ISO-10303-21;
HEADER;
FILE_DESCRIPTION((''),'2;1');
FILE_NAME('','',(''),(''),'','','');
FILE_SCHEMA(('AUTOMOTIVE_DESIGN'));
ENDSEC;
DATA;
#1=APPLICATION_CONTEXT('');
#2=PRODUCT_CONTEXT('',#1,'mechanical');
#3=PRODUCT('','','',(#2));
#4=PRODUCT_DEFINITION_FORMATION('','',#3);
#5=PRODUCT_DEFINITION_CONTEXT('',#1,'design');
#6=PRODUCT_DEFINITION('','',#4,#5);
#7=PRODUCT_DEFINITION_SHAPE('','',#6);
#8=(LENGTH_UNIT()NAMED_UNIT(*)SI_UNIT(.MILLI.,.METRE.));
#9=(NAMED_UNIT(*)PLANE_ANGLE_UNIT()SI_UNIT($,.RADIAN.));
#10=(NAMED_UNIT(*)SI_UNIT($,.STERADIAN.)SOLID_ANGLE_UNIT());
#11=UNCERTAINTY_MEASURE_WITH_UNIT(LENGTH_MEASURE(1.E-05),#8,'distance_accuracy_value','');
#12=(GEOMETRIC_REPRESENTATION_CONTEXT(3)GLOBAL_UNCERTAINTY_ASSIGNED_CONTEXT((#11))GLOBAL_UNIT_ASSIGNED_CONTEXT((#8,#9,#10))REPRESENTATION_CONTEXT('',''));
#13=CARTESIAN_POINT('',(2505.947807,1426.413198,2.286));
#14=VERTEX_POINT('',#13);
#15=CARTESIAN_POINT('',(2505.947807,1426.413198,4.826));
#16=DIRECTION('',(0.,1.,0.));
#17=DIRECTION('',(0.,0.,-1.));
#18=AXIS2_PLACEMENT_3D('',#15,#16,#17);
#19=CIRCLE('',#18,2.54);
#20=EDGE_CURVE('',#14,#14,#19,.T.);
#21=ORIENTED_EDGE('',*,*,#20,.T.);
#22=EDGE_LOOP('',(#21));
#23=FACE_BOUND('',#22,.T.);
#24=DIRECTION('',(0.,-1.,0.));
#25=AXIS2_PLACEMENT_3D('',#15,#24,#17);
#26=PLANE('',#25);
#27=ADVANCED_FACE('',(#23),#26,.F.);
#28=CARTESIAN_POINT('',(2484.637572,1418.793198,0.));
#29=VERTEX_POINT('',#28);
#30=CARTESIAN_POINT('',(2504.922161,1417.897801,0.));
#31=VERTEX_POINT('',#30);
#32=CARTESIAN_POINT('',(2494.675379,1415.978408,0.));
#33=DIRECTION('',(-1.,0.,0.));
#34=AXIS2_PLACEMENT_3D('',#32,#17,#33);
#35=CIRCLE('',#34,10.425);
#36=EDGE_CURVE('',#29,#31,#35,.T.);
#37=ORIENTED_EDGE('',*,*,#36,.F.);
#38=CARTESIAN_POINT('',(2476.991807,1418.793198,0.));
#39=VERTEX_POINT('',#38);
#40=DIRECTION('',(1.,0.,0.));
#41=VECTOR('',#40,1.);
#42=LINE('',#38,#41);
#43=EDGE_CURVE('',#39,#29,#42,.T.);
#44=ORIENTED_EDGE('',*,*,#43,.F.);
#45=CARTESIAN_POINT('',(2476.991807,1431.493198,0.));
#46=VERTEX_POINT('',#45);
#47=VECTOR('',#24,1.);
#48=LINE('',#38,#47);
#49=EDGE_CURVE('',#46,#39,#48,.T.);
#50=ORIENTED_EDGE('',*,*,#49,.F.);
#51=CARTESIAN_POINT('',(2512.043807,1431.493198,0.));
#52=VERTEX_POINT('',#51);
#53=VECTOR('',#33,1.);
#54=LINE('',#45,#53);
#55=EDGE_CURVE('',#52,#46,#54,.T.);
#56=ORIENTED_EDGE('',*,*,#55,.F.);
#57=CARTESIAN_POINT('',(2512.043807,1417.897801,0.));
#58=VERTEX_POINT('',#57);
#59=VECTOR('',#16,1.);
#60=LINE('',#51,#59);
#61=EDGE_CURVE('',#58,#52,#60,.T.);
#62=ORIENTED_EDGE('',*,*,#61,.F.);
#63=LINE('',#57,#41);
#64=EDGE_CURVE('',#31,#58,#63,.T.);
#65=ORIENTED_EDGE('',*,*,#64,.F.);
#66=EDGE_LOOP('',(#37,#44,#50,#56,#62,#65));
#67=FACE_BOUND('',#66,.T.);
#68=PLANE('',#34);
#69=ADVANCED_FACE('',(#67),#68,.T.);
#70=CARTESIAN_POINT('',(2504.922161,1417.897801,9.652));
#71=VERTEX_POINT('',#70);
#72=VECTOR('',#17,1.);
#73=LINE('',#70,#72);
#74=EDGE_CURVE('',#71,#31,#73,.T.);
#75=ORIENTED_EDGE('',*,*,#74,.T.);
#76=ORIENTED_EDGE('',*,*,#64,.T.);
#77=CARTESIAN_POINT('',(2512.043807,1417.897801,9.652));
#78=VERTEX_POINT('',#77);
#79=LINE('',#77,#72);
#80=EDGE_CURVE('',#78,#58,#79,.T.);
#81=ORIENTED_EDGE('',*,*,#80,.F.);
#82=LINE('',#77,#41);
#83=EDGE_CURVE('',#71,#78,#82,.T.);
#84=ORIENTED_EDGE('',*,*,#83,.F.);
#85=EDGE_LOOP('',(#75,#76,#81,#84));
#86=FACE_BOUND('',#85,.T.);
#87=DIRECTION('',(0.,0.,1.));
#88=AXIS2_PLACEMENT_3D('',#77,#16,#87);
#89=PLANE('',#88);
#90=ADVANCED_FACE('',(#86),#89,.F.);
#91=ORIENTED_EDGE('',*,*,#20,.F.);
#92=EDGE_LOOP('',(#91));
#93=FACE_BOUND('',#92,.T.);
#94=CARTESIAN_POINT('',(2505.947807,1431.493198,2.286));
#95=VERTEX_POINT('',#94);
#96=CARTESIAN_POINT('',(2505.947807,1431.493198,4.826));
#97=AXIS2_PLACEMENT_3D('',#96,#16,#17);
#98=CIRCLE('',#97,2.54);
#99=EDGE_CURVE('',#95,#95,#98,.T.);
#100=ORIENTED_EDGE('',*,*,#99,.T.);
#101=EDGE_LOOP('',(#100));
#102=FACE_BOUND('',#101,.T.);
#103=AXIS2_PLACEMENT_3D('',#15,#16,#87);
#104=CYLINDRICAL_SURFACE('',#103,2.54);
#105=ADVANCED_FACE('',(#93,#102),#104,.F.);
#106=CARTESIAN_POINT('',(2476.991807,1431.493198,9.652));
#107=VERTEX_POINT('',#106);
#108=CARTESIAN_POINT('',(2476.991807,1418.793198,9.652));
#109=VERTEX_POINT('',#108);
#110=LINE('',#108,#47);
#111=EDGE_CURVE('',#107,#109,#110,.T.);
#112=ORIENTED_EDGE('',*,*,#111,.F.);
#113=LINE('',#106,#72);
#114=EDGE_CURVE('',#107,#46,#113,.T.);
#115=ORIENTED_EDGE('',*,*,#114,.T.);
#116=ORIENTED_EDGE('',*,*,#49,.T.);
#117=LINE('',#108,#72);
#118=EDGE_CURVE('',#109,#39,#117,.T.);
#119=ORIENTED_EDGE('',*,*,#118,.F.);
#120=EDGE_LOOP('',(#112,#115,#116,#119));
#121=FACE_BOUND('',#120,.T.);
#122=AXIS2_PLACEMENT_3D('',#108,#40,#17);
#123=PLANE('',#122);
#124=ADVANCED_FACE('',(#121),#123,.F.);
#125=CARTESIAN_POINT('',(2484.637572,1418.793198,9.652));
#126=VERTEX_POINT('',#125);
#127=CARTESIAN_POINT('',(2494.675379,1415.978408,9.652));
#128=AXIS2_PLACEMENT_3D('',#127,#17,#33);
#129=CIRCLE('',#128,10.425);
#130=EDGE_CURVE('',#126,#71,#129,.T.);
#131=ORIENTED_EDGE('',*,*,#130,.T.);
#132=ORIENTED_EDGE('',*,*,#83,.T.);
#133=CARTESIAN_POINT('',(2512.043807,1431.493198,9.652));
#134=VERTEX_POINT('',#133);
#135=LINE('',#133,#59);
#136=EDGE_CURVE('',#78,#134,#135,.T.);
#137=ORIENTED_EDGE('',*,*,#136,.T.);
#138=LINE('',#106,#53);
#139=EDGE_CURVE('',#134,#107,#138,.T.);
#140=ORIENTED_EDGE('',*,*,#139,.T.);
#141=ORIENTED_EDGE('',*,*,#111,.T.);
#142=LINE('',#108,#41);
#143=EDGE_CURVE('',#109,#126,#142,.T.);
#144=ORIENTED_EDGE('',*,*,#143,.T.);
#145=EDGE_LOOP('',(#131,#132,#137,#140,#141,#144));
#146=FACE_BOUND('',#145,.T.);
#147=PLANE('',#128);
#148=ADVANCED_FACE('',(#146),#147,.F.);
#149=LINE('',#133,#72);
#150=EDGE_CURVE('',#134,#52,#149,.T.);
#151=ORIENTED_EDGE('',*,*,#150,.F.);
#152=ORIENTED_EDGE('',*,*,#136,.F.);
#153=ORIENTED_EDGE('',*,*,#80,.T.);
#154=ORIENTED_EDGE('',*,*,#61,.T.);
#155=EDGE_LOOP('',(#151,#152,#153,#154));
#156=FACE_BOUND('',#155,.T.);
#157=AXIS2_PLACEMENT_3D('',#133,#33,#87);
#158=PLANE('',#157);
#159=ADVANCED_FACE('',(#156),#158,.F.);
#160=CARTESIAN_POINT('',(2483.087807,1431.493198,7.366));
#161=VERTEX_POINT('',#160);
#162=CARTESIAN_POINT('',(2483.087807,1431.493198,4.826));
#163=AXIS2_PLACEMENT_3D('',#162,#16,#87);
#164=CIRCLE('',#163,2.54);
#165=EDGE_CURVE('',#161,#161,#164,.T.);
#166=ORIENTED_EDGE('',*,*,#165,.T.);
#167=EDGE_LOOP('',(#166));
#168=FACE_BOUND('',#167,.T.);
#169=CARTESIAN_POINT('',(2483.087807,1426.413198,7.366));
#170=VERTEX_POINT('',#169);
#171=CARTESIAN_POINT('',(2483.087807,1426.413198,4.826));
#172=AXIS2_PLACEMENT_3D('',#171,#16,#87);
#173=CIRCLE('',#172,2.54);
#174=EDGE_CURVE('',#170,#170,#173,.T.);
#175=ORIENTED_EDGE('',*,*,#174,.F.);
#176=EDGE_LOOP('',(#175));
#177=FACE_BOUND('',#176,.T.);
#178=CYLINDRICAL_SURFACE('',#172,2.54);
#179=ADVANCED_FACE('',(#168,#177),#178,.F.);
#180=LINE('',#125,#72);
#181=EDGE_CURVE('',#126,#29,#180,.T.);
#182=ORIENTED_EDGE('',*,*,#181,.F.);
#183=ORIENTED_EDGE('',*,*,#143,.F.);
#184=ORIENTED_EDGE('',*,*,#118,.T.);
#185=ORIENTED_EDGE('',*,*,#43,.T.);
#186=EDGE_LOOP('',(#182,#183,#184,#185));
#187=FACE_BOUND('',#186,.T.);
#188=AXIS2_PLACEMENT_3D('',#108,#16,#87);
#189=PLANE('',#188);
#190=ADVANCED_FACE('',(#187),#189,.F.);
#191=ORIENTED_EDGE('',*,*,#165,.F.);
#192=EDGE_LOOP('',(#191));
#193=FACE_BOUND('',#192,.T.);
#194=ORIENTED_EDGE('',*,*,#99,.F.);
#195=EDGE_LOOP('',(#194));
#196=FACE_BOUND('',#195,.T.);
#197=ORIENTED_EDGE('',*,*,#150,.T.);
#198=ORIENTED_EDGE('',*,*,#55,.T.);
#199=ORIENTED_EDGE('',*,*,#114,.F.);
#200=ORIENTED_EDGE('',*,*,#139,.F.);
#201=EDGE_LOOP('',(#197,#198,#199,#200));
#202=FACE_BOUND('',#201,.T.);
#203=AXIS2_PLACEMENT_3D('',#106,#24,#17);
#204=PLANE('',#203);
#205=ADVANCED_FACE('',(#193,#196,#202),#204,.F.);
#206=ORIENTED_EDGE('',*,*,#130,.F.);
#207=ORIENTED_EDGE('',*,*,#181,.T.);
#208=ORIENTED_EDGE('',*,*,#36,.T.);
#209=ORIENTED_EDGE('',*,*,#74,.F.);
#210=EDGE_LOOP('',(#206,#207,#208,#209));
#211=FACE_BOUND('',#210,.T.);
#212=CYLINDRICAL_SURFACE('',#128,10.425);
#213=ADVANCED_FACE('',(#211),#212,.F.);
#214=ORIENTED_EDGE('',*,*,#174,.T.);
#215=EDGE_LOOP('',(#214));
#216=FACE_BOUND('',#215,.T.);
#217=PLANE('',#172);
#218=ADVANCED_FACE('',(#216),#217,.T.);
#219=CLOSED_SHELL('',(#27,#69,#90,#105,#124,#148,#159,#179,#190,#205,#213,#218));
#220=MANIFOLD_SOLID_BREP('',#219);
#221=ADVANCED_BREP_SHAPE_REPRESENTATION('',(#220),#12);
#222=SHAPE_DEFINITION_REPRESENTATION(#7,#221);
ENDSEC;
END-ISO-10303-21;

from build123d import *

# Parameters (mm, degrees)
BOSS_EXTRUDE1_DEPTH = 9.652
SKETCH2_R           = 2.54
CUT_EXTRUDE1_DEPTH  = 5.08


with BuildPart() as part:
    # Sketch1 → Boss-Extrude1 (new body)
    with BuildSketch(Plane.XY):
        with BuildLine():
            Line((2476.991807356, 1418.793197854), (2476.991807356, 1431.493197854))
            Line((2476.991807356, 1431.493197854), (2512.043807356, 1431.493197854))
            Line((2512.043807356, 1431.493197854), (2512.043807356, 1417.89780113))
            Line((2512.043807356, 1417.89780113), (2504.92216143, 1417.89780113))
            ThreePointArc((2504.92216143, 1417.89780113), (2495.135108983, 1426.393265728), (2484.637572003, 1418.793197854))
            Line((2484.637572003, 1418.793197854), (2476.991807356, 1418.793197854))
        make_face()
    extrude(amount=BOSS_EXTRUDE1_DEPTH)

    # Sketch2 → Cut-Extrude1 (cut)
    with BuildSketch(Plane(origin=(0, 1431.493197854, 0), x_dir=(1, 0, 0), z_dir=(0, 1, 0))):
        with Locations(Location((2483.087807356, -4.826, 0), (0, 0, 270))):
            Circle(SKETCH2_R)
        with Locations(Location((2505.947807356, -4.826, 0), (0, 0, 90))):
            Circle(SKETCH2_R)
    extrude(amount=-CUT_EXTRUDE1_DEPTH, mode=Mode.SUBTRACT)


solid = part.part
